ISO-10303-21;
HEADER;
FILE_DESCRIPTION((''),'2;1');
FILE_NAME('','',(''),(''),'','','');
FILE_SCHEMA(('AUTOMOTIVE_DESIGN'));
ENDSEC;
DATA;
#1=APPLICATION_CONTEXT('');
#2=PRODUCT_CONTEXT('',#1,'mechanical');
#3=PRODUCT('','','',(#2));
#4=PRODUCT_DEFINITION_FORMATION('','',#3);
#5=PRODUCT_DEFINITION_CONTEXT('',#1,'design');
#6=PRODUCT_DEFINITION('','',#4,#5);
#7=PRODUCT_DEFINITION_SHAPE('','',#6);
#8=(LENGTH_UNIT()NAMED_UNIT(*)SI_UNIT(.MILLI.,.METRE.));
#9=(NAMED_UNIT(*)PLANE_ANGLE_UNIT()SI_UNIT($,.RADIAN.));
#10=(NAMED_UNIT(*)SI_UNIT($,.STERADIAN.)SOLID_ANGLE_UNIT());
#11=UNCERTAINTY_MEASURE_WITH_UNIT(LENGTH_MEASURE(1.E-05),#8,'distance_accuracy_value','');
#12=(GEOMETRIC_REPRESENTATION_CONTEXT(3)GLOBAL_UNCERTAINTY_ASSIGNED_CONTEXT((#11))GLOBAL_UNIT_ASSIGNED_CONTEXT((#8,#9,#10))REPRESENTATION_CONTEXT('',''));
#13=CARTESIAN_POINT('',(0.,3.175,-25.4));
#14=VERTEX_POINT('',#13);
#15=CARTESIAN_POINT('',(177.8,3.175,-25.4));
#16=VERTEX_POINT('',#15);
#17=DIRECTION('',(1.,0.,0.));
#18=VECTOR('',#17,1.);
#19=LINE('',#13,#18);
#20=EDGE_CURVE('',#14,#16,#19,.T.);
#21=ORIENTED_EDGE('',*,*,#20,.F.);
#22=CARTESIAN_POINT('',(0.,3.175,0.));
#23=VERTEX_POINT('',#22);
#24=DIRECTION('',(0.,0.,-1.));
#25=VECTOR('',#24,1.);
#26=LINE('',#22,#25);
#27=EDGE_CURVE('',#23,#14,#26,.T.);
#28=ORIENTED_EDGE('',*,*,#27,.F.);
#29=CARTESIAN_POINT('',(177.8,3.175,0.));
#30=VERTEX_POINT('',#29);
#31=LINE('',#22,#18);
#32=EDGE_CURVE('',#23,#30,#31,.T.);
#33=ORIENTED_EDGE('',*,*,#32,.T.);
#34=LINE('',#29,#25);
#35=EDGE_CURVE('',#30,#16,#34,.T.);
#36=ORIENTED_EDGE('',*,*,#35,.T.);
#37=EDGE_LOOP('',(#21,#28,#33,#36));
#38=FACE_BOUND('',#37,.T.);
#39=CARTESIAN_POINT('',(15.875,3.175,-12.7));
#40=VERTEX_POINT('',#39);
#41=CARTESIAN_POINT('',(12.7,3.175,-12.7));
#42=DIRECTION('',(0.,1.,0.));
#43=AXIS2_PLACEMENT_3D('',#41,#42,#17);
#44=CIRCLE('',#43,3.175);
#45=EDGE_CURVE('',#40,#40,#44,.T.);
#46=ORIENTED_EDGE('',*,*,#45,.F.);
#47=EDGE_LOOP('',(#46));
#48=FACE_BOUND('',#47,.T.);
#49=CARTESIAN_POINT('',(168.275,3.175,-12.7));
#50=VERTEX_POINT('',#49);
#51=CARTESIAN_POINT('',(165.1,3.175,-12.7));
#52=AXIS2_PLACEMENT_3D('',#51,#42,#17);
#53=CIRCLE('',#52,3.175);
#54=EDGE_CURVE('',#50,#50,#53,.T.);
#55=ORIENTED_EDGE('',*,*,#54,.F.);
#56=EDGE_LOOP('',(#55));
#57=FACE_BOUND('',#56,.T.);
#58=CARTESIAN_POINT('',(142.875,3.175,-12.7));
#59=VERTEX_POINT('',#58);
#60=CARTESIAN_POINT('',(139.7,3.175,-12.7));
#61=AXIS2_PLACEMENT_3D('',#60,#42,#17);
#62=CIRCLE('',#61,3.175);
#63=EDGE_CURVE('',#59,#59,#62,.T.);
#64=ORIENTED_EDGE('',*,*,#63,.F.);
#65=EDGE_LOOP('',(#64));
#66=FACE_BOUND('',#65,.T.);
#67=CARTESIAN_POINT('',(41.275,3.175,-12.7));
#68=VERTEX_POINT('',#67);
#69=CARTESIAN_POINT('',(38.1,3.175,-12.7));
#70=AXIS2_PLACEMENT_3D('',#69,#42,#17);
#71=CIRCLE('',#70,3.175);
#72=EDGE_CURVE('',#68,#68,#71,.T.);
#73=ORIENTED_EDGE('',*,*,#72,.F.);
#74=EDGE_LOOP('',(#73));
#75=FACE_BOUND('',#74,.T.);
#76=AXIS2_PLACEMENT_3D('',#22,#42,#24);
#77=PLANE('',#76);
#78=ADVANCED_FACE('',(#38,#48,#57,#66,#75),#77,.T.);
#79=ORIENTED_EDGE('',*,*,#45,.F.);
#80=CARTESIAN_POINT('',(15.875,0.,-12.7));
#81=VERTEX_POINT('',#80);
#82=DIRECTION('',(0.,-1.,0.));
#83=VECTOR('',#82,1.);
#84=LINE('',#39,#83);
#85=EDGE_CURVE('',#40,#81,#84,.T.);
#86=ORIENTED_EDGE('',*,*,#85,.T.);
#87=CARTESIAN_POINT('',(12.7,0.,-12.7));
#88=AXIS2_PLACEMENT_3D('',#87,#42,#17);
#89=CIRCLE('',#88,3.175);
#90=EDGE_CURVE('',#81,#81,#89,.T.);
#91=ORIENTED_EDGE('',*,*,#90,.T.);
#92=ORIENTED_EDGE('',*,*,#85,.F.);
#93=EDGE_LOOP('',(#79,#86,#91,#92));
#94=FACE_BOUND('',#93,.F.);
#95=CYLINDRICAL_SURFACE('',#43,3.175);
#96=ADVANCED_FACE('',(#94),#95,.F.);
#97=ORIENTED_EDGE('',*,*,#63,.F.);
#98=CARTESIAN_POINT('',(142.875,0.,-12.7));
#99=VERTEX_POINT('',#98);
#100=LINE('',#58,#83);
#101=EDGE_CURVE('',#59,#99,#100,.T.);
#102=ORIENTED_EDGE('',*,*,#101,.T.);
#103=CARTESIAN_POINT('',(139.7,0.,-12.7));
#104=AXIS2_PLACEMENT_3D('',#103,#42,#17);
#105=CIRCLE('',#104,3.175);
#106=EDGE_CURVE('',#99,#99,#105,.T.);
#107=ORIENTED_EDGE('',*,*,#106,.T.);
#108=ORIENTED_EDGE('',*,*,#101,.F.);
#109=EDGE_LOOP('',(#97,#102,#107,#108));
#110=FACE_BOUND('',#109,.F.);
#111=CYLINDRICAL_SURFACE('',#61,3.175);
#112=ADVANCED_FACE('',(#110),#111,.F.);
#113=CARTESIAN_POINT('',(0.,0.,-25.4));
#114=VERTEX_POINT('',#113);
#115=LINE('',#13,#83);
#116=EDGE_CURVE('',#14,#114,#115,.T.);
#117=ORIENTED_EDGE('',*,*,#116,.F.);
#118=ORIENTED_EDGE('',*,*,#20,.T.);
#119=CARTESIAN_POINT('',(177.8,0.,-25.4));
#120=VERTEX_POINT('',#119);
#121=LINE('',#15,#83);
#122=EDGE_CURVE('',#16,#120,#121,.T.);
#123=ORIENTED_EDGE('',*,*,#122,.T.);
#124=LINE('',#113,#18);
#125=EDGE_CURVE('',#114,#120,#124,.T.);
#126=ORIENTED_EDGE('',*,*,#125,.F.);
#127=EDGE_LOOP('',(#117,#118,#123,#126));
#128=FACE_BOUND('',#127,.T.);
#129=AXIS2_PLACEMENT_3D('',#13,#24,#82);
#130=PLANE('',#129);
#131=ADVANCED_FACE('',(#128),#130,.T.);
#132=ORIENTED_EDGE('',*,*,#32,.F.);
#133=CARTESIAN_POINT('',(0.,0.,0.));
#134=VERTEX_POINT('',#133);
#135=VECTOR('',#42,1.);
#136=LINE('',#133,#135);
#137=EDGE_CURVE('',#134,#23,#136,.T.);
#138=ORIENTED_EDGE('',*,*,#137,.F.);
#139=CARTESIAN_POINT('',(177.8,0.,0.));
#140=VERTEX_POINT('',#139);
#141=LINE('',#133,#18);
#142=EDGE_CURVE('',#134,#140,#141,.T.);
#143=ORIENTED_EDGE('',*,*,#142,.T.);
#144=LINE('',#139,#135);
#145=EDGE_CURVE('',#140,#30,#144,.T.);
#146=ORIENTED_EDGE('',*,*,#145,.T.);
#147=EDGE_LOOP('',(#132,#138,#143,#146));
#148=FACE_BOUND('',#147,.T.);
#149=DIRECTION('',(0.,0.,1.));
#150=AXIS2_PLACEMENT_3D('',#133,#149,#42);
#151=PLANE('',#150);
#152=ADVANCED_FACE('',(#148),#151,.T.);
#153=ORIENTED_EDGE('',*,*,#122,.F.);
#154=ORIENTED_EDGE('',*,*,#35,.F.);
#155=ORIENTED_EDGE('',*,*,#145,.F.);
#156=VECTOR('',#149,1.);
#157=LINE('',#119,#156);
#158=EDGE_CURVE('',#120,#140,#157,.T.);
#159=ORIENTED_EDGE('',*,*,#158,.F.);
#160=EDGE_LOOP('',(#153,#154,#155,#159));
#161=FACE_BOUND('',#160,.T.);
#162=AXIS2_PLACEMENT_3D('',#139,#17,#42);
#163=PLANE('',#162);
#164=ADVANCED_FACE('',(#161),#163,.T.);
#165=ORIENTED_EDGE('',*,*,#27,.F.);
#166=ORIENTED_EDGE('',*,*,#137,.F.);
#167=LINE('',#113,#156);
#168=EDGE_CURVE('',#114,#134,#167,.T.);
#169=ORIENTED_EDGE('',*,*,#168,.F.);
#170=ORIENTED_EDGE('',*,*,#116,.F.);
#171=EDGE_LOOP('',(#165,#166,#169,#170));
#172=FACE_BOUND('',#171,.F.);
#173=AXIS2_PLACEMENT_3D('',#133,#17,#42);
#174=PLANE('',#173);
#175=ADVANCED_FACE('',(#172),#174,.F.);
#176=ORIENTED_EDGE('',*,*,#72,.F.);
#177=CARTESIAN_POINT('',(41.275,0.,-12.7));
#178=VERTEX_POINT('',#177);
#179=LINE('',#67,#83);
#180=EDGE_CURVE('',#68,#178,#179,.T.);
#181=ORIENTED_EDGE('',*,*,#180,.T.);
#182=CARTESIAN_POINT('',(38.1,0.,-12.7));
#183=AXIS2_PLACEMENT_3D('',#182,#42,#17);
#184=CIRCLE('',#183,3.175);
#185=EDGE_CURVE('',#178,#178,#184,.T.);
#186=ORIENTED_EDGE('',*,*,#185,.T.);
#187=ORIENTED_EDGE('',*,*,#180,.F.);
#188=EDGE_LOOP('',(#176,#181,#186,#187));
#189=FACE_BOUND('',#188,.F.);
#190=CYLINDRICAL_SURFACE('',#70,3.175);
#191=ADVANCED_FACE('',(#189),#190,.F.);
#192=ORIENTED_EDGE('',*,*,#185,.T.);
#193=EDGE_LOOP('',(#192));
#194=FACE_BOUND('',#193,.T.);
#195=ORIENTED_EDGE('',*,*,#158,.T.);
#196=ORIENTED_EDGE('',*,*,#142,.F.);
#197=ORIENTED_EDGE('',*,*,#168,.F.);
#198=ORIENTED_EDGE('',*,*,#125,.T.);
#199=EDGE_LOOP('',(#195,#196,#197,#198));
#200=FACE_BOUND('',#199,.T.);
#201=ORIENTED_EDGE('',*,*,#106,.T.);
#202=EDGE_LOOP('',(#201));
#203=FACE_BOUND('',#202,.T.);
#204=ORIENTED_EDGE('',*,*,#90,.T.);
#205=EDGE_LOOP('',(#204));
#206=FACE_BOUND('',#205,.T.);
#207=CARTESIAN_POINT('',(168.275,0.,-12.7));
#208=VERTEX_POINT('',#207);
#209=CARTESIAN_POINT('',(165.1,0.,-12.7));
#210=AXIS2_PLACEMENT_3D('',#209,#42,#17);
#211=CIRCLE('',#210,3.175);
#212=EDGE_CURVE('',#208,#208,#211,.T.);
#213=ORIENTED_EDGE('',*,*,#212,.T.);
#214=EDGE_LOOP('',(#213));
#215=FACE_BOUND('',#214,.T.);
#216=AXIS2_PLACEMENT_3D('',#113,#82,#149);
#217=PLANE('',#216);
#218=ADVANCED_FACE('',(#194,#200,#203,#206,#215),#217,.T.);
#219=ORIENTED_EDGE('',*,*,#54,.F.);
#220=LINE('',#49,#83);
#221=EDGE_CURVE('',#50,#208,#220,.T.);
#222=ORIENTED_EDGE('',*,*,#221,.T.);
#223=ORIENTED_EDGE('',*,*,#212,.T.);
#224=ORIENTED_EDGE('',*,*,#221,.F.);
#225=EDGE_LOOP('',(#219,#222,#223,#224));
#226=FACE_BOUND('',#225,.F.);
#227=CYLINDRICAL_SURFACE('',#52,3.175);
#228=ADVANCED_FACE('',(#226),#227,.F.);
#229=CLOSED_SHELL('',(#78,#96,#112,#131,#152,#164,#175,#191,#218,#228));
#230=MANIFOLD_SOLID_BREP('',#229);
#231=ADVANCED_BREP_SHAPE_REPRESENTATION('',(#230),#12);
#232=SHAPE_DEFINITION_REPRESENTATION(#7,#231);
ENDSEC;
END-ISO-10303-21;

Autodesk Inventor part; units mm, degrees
ref_plane "YZ Plane" through (0, 0, 0) normal (1, 0, 0) x (0, 1, 0)
ref_plane "XZ Plane" through (0, 0, 0) normal (0, 1, 0) x (-1, 0, 0)
ref_plane "XY Plane" through (0, 0, 0) normal (0, 0, 1) x (1, 0, 0)
sketch "Sketch1" plane through (0, 0, 0) normal (1, 0, 0) x (0, 1, 0)
  line L0 (0, 0) -> (3.175, 0)
  line L1 (3.175, 0) -> (3.175, -25.4)
  line L2 (3.175, -25.4) -> (0, -25.4)
  line L3 (0, -25.4) -> (0, 0)
  dimension "d0" = 3.175
  dimension "d1" = 25.4
extrude "Extrusion1" add sketch "Sketch1" along normal blind 177.8
sketch "Sketch2" plane through (0, 3.175, 0) normal (0, 1, 0) x (1, 0, 0)
  line L0 (0, 25.4) -> (0, 0) projected
  line L1 (0, 12.7) -> (106.9215, 12.7) construction
  circle A0 centre (12.7, 12.7) radius 3.175
  line L2 (0, 25.4) -> (177.8, 25.4) projected
  line L3 (88.9, 25.4) -> (88.9, 2.1168) construction
  circle A1 centre (38.1, 12.7) radius 3.175
  circle A2 centre (165.1, 12.7) radius 3.175
  circle A3 centre (139.7, 12.7) radius 3.175
  dimension "d4" = 6.35
  dimension "d5" = 50.8
  dimension "d6" = 76.2
extrude "Extrusion2" cut sketch "Sketch2" against normal blind 3.175
properties part number "plate 1"
